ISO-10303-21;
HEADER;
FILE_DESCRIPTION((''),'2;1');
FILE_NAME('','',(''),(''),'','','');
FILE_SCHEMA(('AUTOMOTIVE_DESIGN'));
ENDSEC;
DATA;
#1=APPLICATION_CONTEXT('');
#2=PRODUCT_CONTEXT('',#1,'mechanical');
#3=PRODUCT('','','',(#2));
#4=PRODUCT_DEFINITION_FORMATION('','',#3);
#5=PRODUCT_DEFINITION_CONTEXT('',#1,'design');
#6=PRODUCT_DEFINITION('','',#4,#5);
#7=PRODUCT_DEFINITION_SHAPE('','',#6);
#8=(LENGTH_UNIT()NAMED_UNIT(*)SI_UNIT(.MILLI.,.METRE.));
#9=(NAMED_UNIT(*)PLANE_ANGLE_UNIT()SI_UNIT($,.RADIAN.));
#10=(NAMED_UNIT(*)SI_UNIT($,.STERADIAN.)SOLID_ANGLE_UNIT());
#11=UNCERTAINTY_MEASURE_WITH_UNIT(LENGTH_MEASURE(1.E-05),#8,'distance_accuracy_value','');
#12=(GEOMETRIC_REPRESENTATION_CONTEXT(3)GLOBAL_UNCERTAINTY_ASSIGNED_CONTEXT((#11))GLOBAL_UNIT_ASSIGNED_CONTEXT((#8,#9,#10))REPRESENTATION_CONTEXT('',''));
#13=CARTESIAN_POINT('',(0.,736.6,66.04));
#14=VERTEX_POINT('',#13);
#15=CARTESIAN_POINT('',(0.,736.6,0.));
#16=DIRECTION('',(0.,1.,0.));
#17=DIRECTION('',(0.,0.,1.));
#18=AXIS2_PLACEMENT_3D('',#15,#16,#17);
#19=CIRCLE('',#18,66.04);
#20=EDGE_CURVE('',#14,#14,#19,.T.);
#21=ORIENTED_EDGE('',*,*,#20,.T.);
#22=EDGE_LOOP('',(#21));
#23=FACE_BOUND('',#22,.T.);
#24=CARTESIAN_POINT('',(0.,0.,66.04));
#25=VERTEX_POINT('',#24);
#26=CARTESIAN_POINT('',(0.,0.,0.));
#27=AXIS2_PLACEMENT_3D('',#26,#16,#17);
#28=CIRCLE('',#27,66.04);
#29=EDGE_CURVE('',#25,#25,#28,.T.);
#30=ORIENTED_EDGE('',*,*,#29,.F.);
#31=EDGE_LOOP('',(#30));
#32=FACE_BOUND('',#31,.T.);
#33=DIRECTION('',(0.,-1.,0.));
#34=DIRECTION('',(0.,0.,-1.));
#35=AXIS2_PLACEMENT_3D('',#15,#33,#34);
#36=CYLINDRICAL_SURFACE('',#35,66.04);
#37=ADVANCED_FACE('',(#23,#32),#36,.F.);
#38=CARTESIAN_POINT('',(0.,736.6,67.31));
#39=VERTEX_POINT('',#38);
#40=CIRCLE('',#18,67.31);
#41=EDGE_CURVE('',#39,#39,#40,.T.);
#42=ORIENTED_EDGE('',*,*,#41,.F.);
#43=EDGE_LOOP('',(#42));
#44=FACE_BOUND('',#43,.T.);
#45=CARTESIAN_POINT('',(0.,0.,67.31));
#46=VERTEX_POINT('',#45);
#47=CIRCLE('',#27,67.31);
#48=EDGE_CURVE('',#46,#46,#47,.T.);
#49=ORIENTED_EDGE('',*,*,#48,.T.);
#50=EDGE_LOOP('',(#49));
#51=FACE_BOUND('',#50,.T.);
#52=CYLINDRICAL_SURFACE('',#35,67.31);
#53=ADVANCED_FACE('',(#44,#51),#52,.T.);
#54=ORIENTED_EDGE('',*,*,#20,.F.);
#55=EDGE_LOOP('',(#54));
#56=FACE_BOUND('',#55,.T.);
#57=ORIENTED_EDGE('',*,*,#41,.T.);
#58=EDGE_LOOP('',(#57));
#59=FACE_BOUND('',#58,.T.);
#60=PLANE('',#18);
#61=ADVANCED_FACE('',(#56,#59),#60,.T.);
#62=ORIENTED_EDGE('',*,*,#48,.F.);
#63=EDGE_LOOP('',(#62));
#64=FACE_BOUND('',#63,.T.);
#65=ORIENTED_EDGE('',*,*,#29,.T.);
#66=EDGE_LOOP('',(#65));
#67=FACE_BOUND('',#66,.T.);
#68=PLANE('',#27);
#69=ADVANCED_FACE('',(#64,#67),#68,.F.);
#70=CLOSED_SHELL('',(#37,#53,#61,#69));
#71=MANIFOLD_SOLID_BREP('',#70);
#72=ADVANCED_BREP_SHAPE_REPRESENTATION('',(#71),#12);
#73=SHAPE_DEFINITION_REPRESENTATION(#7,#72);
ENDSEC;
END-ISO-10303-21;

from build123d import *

# Parameters (mm, degrees)
SKETCH1_R           = 67.31
SKETCH1_R_2         = 66.04
BOSS_EXTRUDE1_DEPTH = 736.6


with BuildPart() as part:
    # Sketch1 → Boss-Extrude1 (new body)
    with BuildSketch(Plane(origin=(0, 0, 0), x_dir=(1, 0, 0), z_dir=(0, 1, 0))):
        Circle(SKETCH1_R)
        Circle(SKETCH1_R_2, mode=Mode.SUBTRACT)
    extrude(amount=BOSS_EXTRUDE1_DEPTH)


solid = part.part
